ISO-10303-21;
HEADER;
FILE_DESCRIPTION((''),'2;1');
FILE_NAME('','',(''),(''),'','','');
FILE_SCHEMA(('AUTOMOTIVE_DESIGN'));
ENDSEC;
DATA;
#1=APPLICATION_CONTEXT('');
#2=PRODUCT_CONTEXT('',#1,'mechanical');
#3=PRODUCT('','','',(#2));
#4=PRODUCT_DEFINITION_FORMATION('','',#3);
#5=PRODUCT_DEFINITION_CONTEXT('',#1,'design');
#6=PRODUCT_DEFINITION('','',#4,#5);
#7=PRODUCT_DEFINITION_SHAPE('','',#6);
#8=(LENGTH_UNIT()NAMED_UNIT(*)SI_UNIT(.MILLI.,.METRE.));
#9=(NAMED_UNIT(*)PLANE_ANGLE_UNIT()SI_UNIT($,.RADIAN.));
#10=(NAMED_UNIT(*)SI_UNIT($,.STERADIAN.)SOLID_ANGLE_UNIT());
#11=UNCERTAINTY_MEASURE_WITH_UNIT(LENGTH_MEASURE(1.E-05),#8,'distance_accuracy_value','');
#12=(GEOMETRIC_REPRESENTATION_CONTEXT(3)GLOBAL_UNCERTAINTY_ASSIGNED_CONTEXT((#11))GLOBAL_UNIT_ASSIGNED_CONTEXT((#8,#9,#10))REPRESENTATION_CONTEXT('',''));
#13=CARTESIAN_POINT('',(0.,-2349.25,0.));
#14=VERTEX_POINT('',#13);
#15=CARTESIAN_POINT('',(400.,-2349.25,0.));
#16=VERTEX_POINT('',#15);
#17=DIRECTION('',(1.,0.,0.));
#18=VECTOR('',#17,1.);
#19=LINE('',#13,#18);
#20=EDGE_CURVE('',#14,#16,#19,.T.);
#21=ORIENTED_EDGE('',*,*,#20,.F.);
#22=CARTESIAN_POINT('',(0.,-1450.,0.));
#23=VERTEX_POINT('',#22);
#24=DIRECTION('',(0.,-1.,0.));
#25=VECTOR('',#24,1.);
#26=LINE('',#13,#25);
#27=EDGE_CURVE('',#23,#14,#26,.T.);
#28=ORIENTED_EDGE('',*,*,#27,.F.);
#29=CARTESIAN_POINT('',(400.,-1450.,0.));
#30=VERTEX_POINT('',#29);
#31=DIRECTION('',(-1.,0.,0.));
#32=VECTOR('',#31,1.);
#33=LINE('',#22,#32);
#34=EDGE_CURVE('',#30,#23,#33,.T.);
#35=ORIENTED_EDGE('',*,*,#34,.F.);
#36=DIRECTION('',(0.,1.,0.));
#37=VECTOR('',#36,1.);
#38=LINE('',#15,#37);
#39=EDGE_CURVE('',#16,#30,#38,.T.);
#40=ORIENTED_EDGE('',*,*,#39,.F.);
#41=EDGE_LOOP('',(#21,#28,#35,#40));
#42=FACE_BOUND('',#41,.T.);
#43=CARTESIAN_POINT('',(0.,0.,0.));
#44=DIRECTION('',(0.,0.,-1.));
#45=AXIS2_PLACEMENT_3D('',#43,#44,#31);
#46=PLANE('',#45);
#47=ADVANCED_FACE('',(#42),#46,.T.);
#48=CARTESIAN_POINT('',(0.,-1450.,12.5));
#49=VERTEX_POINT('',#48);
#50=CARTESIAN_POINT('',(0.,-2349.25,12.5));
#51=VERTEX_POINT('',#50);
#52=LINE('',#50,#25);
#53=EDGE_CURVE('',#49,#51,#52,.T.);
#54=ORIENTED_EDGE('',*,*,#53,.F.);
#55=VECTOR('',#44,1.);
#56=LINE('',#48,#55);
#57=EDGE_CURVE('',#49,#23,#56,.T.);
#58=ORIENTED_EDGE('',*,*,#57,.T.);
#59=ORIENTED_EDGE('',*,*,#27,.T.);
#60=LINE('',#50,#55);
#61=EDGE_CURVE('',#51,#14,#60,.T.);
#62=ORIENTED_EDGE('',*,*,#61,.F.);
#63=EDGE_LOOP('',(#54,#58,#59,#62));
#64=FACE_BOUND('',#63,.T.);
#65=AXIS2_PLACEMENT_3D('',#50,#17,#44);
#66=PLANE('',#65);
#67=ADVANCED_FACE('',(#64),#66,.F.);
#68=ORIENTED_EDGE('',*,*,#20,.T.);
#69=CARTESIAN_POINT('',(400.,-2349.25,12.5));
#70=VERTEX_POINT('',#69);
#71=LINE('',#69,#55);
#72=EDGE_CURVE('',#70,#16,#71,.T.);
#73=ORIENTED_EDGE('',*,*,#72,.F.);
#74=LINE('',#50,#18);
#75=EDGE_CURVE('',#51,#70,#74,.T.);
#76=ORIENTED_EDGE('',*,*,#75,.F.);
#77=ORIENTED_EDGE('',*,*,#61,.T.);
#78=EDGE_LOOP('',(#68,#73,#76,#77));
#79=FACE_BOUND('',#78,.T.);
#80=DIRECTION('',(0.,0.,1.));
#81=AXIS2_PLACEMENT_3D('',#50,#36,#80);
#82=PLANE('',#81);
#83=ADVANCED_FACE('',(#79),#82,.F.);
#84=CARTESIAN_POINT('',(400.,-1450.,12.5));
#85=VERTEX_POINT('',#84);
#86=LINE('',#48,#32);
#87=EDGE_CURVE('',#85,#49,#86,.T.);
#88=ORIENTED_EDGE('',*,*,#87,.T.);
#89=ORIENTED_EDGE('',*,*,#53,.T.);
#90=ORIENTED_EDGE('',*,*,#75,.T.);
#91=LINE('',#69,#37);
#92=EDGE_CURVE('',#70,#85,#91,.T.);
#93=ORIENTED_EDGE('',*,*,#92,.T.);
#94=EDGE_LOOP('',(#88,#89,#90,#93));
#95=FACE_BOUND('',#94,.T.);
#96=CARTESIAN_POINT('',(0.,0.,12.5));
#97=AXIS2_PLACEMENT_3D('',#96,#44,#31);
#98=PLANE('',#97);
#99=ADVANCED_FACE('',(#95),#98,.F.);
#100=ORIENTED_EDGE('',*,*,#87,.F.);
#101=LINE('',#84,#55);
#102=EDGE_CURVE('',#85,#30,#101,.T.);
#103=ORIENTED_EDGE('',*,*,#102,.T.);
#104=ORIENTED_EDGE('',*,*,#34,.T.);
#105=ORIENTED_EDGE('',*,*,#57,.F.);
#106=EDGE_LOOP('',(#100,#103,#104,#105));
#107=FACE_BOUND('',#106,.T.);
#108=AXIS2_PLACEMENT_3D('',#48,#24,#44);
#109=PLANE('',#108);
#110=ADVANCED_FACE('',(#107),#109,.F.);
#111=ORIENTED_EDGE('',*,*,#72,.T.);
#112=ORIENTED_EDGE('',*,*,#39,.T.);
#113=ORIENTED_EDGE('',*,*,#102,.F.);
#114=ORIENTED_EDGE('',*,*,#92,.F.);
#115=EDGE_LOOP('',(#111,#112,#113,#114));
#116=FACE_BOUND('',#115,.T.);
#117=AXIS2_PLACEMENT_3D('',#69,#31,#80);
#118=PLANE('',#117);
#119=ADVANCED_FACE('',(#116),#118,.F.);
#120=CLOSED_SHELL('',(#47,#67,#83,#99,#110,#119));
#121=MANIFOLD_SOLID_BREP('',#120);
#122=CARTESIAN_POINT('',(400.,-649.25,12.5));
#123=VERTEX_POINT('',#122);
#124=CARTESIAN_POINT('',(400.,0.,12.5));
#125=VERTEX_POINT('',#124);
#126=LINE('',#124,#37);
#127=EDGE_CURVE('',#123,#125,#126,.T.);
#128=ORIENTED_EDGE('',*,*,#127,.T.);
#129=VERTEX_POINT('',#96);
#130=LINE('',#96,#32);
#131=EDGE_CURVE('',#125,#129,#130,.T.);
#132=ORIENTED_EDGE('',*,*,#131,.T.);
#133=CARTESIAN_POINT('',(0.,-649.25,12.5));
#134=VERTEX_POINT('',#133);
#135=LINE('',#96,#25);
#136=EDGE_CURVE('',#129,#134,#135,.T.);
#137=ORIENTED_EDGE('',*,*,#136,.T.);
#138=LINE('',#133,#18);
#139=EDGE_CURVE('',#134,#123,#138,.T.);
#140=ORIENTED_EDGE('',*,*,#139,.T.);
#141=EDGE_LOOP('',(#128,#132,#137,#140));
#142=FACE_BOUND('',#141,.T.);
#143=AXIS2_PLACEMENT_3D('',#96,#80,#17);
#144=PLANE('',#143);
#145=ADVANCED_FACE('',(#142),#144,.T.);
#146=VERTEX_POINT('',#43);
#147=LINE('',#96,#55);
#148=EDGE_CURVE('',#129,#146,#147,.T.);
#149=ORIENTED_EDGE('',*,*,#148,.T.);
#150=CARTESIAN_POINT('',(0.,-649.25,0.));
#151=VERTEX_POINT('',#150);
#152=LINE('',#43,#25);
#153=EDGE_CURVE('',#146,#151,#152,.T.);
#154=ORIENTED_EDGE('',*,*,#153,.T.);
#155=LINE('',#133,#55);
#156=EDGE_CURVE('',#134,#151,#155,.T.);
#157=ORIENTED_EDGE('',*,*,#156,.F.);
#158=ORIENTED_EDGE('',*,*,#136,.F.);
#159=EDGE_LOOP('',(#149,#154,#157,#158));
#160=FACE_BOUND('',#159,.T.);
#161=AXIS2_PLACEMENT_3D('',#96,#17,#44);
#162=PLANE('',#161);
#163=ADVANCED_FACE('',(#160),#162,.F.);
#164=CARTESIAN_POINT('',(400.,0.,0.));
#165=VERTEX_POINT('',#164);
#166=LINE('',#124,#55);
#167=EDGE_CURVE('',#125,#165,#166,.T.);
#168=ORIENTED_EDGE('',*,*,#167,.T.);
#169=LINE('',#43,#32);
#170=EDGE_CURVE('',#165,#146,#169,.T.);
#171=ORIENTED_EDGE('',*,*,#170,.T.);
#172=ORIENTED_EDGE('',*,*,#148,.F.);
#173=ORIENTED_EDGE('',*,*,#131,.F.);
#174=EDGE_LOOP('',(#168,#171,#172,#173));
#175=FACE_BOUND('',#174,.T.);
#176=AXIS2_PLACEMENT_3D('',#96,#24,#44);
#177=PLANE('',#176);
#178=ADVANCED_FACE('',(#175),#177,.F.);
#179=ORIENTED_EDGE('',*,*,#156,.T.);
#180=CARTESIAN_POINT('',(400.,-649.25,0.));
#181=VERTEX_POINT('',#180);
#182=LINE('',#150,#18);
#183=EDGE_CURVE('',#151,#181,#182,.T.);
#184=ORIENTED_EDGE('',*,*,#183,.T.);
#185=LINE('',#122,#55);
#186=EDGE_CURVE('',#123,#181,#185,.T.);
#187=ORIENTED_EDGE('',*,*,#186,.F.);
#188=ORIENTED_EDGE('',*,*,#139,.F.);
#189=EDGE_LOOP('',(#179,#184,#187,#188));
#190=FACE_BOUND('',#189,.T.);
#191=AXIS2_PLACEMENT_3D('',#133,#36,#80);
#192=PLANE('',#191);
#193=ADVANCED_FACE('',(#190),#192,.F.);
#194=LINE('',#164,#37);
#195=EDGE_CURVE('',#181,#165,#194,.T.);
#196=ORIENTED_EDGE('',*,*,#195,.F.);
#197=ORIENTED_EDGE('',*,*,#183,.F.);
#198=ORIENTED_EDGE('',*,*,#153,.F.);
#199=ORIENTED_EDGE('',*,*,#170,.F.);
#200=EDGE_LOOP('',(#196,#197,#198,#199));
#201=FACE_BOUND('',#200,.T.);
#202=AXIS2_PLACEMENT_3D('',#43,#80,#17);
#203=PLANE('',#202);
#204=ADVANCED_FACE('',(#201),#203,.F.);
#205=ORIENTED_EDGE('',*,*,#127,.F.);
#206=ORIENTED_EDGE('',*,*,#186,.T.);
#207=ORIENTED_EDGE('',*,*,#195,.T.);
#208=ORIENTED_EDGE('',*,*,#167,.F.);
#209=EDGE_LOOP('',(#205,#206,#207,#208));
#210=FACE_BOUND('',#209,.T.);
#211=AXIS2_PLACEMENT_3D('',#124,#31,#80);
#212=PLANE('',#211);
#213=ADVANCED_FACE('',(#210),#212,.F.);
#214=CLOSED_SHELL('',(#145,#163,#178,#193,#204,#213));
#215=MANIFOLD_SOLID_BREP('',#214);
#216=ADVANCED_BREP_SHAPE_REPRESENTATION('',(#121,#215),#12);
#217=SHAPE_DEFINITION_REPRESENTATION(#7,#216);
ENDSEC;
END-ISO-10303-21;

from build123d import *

# Parameters (mm, degrees)
SKETCH_1_W        = 400
SKETCH_1_H        = 649.25
EXTRUDE_1_DEPTH   = 12.5
SKETCH_1_H_2      = 899.25
EXTRUDE_1_2_DEPTH = 12.5


with BuildPart() as part:
    # Эскиз1 → Бобышка-Вытянуть1 (new body)
    with BuildSketch(Plane.XY):
        with Locations((200, -324.625)):
            Rectangle(SKETCH_1_W, SKETCH_1_H)
    extrude(amount=EXTRUDE_1_DEPTH)


with BuildPart() as body_2:
    # Эскиз1 → Extrude 1 2 (new body)
    with BuildSketch(Plane.XY):
        with Locations((200, -1899.625)):
            Rectangle(SKETCH_1_W, SKETCH_1_H_2)
    extrude(amount=EXTRUDE_1_2_DEPTH)


solid = Compound([part.part, body_2.part])
